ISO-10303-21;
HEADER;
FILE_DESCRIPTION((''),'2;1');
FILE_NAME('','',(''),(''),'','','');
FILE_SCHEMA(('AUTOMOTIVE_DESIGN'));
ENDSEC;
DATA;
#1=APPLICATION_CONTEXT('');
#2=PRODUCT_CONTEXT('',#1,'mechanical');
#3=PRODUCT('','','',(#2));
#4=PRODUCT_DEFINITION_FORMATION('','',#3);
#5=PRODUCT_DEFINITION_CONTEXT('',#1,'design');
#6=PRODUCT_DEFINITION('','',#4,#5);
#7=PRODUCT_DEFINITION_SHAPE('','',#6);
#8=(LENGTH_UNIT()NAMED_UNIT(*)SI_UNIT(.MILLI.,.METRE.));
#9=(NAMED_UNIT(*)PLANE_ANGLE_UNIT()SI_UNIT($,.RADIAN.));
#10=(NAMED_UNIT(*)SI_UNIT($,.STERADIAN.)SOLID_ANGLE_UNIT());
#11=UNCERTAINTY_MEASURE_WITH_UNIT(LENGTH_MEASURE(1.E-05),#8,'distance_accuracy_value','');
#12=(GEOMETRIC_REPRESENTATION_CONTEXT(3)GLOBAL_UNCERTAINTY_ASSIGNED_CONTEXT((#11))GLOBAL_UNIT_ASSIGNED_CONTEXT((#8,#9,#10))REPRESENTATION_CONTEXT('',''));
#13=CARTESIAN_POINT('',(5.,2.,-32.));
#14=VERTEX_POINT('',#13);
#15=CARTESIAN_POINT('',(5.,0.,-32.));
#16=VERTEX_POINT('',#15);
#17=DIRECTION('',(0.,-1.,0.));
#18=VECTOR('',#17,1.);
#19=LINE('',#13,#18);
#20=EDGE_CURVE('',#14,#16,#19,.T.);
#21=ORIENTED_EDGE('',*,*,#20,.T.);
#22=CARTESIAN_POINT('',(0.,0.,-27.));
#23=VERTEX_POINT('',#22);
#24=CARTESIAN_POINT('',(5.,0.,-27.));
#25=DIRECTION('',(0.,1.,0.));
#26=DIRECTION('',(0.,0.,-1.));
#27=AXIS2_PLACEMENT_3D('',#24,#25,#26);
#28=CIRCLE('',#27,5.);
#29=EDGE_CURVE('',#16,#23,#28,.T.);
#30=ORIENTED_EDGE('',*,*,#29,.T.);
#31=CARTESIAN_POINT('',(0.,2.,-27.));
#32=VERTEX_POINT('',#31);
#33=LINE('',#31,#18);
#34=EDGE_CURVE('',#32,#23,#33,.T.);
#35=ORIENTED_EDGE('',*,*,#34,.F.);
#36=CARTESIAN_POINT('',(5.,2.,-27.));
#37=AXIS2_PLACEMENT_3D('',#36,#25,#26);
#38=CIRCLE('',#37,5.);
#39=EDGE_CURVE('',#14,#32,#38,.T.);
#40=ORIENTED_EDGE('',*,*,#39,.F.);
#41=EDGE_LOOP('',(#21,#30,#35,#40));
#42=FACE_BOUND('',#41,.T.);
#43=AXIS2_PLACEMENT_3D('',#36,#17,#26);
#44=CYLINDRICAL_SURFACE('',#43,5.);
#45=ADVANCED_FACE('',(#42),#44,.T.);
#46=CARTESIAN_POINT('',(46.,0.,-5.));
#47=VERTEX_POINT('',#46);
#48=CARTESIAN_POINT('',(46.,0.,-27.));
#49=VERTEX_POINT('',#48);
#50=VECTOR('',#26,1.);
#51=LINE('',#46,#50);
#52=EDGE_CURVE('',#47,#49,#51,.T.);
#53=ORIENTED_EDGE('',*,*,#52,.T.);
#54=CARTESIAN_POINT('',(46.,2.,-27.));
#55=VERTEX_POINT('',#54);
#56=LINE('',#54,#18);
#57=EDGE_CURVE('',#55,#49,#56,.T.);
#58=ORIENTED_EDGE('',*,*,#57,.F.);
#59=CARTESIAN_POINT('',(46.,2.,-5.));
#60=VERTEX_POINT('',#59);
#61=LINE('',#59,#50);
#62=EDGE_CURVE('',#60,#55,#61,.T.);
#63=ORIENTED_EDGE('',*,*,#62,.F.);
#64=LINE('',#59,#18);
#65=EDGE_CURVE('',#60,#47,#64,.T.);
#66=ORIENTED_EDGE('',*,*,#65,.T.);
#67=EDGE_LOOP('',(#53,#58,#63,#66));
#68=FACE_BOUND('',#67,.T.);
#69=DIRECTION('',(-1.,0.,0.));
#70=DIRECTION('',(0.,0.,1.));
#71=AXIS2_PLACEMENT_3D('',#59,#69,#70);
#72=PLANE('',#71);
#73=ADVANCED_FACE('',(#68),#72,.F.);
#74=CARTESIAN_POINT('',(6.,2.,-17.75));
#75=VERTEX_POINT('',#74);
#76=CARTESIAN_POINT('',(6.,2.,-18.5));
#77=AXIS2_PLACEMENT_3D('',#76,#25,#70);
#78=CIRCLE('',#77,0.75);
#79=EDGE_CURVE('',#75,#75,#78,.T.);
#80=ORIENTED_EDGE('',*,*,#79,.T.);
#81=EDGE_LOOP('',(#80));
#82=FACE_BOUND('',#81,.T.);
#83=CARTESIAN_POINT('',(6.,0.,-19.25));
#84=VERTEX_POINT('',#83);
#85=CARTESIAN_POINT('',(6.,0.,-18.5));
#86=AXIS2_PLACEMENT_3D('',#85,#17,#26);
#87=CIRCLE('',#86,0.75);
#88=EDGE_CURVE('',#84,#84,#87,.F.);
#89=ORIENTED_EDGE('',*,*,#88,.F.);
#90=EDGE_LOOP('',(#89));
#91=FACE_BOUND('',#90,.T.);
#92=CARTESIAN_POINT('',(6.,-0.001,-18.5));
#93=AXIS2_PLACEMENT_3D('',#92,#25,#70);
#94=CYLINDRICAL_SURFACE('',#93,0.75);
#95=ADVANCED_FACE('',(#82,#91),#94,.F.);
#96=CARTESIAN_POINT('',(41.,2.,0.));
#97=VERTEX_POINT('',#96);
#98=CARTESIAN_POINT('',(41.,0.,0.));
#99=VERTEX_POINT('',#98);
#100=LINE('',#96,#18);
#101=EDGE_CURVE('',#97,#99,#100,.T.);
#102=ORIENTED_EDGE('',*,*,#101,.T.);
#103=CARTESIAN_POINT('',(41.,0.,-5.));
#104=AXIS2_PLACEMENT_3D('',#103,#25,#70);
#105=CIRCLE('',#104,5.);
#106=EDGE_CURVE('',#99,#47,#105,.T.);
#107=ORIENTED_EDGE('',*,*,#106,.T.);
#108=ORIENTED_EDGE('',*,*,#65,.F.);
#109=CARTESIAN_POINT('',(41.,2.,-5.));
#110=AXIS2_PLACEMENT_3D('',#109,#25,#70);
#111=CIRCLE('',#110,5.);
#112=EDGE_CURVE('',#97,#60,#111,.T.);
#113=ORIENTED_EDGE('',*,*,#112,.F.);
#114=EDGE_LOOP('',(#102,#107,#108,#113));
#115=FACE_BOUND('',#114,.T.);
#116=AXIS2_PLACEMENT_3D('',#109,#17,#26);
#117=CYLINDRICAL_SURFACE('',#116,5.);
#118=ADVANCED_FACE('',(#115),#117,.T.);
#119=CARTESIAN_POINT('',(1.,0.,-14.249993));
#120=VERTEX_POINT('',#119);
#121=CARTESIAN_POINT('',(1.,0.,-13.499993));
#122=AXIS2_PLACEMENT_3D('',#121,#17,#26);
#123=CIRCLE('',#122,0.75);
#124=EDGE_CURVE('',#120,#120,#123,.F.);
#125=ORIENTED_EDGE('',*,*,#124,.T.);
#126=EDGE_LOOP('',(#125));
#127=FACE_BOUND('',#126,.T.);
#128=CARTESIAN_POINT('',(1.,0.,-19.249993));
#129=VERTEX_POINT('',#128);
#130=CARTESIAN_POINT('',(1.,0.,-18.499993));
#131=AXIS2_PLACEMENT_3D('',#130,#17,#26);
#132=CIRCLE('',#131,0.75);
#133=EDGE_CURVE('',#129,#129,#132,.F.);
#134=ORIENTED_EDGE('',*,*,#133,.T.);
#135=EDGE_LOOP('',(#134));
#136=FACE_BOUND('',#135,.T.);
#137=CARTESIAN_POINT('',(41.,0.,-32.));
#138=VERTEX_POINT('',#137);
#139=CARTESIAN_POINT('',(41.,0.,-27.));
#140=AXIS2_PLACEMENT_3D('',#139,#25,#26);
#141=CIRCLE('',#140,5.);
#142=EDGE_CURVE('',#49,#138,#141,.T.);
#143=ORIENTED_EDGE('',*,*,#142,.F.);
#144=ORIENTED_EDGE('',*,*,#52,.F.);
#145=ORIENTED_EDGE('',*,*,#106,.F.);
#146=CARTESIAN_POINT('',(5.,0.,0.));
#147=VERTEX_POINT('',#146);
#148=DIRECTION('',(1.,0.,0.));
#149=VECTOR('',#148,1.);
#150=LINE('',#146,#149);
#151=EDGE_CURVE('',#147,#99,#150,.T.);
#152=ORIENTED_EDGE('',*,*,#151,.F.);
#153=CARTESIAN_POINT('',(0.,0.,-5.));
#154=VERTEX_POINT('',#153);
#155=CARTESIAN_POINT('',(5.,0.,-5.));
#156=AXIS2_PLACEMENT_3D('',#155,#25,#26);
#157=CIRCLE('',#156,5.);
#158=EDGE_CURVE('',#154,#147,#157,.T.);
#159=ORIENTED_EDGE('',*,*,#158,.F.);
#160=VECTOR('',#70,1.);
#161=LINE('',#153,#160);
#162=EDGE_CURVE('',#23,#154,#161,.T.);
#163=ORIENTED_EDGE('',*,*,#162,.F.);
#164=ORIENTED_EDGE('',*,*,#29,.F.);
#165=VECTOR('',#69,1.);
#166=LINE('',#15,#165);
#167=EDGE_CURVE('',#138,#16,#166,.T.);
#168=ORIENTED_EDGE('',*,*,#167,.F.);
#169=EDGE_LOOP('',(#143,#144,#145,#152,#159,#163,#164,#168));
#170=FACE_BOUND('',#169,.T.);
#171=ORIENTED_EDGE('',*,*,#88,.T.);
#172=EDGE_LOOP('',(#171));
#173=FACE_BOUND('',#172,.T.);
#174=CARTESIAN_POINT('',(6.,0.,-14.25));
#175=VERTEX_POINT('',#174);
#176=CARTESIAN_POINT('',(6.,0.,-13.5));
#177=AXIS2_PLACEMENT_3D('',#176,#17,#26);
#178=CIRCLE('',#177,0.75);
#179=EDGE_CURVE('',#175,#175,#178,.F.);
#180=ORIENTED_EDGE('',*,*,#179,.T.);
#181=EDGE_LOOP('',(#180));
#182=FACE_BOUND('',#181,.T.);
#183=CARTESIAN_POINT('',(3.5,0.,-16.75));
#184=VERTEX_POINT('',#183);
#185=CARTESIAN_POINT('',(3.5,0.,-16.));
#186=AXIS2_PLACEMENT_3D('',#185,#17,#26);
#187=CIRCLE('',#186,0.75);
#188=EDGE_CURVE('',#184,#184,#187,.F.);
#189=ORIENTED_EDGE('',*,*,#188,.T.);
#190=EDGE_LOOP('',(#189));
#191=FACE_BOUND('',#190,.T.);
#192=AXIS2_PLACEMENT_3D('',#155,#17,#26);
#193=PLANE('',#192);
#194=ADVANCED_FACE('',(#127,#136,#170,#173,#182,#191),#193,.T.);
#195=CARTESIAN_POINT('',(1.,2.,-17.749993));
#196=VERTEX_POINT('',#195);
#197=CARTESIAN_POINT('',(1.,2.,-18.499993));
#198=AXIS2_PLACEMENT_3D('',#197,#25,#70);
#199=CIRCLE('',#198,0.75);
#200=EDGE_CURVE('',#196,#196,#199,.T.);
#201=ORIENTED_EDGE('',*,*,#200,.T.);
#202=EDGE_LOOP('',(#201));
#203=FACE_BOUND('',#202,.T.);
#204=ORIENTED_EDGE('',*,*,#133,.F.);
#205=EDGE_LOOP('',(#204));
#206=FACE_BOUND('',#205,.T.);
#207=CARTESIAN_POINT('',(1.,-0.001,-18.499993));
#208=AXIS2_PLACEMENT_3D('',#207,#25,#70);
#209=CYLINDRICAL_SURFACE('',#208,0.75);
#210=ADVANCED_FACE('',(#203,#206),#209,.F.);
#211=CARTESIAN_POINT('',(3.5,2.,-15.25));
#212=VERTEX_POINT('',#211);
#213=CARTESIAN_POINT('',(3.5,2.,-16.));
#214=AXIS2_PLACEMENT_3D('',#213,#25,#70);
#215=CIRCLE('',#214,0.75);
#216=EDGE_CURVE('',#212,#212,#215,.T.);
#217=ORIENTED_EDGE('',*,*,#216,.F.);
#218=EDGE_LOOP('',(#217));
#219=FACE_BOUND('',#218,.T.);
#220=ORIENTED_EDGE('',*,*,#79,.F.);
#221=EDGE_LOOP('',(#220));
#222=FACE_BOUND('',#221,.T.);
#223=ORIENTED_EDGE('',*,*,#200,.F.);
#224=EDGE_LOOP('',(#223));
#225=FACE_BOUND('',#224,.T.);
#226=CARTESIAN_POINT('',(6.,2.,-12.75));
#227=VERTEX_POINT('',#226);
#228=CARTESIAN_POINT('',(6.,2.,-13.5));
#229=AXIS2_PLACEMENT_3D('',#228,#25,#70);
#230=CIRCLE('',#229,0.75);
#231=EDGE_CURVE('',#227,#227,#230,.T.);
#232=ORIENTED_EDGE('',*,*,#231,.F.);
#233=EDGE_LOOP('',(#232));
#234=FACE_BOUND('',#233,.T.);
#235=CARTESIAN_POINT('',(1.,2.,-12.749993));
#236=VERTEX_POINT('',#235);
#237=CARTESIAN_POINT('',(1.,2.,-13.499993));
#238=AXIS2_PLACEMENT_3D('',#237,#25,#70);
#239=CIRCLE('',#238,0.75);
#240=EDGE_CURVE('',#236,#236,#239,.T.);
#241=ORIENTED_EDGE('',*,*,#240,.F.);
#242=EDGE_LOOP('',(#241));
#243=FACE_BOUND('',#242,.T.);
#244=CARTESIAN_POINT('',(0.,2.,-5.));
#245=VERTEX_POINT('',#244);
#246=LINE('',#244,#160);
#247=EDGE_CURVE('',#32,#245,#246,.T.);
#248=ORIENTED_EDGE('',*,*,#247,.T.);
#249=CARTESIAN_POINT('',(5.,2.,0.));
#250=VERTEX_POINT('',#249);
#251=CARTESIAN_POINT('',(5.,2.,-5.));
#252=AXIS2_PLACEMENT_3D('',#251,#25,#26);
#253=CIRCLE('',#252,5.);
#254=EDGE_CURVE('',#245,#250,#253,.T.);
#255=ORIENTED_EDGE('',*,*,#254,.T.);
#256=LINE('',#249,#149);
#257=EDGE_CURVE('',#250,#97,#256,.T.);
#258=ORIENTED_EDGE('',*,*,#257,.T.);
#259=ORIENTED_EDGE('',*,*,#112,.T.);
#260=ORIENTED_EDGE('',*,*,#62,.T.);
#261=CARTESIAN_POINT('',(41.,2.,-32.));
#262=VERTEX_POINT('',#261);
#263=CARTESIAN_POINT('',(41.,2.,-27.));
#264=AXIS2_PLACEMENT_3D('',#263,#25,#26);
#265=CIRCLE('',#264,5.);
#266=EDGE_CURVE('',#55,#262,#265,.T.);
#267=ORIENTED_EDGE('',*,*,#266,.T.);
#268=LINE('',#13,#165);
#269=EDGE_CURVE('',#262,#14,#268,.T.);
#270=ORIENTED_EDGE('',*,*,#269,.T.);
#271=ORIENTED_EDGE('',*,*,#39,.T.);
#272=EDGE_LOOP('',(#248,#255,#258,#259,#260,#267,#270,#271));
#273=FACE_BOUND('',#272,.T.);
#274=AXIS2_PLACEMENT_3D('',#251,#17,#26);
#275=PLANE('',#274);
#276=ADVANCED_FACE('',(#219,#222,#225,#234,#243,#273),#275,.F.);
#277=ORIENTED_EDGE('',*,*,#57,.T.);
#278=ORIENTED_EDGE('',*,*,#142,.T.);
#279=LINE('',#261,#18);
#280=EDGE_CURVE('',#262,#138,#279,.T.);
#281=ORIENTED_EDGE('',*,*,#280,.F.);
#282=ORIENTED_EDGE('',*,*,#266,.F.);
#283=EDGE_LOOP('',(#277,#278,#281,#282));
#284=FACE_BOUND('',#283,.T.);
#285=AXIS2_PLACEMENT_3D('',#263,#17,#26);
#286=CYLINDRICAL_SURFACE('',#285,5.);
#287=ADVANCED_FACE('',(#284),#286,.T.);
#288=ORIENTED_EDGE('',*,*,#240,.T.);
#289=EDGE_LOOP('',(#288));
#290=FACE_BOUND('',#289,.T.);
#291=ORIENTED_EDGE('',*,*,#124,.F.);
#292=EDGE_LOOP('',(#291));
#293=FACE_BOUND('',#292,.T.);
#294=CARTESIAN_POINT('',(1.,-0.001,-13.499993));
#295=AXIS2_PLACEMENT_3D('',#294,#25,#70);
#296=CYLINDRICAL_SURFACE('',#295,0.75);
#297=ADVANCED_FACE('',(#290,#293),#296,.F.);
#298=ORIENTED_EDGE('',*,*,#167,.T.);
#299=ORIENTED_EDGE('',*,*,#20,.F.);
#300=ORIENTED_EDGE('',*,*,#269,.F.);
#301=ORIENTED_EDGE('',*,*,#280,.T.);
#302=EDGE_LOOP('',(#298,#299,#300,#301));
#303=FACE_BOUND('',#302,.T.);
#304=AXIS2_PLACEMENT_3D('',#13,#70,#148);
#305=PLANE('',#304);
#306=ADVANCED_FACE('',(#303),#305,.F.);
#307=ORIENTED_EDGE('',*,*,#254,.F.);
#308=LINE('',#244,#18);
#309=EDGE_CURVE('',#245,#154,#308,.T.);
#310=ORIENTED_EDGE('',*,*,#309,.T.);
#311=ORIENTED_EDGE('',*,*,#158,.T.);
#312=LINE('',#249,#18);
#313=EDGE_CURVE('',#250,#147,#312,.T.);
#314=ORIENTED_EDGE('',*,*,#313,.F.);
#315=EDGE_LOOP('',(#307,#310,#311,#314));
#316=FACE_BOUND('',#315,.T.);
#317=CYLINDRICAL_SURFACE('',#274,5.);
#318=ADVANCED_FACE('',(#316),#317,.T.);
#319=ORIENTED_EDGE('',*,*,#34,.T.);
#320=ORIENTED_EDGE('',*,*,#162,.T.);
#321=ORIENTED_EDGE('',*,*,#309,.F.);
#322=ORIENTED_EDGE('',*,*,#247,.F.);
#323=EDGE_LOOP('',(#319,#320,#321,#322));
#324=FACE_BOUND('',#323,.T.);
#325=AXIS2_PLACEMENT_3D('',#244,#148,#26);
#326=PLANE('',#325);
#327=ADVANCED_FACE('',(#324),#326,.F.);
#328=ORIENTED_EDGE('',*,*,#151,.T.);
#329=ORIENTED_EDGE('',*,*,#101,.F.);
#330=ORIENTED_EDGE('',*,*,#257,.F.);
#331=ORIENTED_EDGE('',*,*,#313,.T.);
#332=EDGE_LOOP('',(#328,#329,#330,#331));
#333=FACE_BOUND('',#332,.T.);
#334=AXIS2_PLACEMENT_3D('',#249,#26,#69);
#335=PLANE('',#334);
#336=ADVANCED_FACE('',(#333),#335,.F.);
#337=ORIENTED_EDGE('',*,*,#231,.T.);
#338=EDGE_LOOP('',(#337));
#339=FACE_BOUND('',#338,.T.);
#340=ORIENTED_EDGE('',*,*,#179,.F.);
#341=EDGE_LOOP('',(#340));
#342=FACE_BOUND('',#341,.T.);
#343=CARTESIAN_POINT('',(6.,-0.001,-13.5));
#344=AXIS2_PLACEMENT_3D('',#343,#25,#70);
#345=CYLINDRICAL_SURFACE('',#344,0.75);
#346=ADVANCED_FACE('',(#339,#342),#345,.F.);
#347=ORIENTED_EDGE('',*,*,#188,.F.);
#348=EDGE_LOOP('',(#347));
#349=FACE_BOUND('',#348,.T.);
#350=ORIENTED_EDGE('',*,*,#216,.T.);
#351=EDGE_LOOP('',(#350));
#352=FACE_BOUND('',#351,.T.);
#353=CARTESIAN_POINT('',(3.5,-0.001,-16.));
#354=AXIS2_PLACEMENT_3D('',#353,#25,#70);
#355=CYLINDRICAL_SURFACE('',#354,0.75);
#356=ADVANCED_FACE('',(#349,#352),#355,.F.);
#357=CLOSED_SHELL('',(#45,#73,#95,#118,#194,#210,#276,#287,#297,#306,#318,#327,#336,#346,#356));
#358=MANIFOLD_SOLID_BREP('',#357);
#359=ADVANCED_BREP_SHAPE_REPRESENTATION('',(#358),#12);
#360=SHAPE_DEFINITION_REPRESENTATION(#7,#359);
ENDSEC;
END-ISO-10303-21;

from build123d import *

# Parameters (mm, degrees)
BOSS_EXTRUDE1_DEPTH = 2
CUT_EXTRUDE2_REACH  = 58.071
SKETCH8_R           = 0.75


with BuildPart() as part:
    # Sketch1 → Boss-Extrude1 (new body)
    with BuildSketch(Plane(origin=(0, 0, 0), x_dir=(1, 0, 0), z_dir=(0, 1, 0))):
        with BuildLine():
            Line((5, 0), (41, 0))
            ThreePointArc((41, 0), (44.535533906, 1.464466094), (46, 5))
            Line((46, 5), (46, 27))
            ThreePointArc((46, 27), (44.535533906, 30.535533906), (41, 32))
            Line((41, 32), (5, 32))
            ThreePointArc((5, 32), (1.464466094, 30.535533906), (0, 27))
            Line((0, 27), (0, 5))
            ThreePointArc((0, 5), (1.464466094, 1.464466094), (5, 0))
        make_face()
    extrude(amount=BOSS_EXTRUDE1_DEPTH)

    # Sketch8 → Cut-Extrude2 (cut, up to next)
    with BuildSketch(Plane(origin=(0, 2, 0), x_dir=(1, 0, 0), z_dir=(0, 1, 0)), mode=Mode.PRIVATE) as cut_extrude2_sk1:
        with Locations(Location((3.5, 16, 0), (0, 0, 270))):
            Circle(SKETCH8_R)
    cut_extrude2_tool1 = extrude(cut_extrude2_sk1.sketch, amount=-CUT_EXTRUDE2_REACH, mode=Mode.PRIVATE) & part.part
    # Sketch8 → Cut-Extrude2 (cut, up to next)
    with BuildSketch(Plane(origin=(0, 2, 0), x_dir=(1, 0, 0), z_dir=(0, 1, 0)), mode=Mode.PRIVATE) as cut_extrude2_sk2:
        with Locations(Location((6, 18.5, 0), (0, 0, 270))):
            Circle(SKETCH8_R)
    cut_extrude2_tool2 = extrude(cut_extrude2_sk2.sketch, amount=-CUT_EXTRUDE2_REACH, mode=Mode.PRIVATE) & part.part
    # Sketch8 → Cut-Extrude2 (cut, up to next)
    with BuildSketch(Plane(origin=(0, 2, 0), x_dir=(1, 0, 0), z_dir=(0, 1, 0)), mode=Mode.PRIVATE) as cut_extrude2_sk3:
        with Locations(Location((6, 13.5, 0), (0, 0, 270))):
            Circle(SKETCH8_R)
    cut_extrude2_tool3 = extrude(cut_extrude2_sk3.sketch, amount=-CUT_EXTRUDE2_REACH, mode=Mode.PRIVATE) & part.part
    # Sketch8 → Cut-Extrude2 (cut, up to next)
    with BuildSketch(Plane(origin=(0, 2, 0), x_dir=(1, 0, 0), z_dir=(0, 1, 0)), mode=Mode.PRIVATE) as cut_extrude2_sk4:
        with Locations(Location((1, 13.499992953, 0), (0, 0, 270))):
            Circle(SKETCH8_R)
    cut_extrude2_tool4 = extrude(cut_extrude2_sk4.sketch, amount=-CUT_EXTRUDE2_REACH, mode=Mode.PRIVATE) & part.part
    # Sketch8 → Cut-Extrude2 (cut, up to next)
    with BuildSketch(Plane(origin=(0, 2, 0), x_dir=(1, 0, 0), z_dir=(0, 1, 0)), mode=Mode.PRIVATE) as cut_extrude2_sk5:
        with Locations(Location((1, 18.499992953, 0), (0, 0, 270))):
            Circle(SKETCH8_R)
    cut_extrude2_tool5 = extrude(cut_extrude2_sk5.sketch, amount=-CUT_EXTRUDE2_REACH, mode=Mode.PRIVATE) & part.part
    add(cut_extrude2_tool1.solids().sort_by_distance((3.5, 2, -16))[0], mode=Mode.SUBTRACT)
    add(cut_extrude2_tool2.solids().sort_by_distance((6, 2, -18.5))[0], mode=Mode.SUBTRACT)
    add(cut_extrude2_tool3.solids().sort_by_distance((6, 2, -13.5))[0], mode=Mode.SUBTRACT)
    add(cut_extrude2_tool4.solids().sort_by_distance((1, 2, -13.499993))[0], mode=Mode.SUBTRACT)
    add(cut_extrude2_tool5.solids().sort_by_distance((1, 2, -18.499993))[0], mode=Mode.SUBTRACT)


solid = part.part
